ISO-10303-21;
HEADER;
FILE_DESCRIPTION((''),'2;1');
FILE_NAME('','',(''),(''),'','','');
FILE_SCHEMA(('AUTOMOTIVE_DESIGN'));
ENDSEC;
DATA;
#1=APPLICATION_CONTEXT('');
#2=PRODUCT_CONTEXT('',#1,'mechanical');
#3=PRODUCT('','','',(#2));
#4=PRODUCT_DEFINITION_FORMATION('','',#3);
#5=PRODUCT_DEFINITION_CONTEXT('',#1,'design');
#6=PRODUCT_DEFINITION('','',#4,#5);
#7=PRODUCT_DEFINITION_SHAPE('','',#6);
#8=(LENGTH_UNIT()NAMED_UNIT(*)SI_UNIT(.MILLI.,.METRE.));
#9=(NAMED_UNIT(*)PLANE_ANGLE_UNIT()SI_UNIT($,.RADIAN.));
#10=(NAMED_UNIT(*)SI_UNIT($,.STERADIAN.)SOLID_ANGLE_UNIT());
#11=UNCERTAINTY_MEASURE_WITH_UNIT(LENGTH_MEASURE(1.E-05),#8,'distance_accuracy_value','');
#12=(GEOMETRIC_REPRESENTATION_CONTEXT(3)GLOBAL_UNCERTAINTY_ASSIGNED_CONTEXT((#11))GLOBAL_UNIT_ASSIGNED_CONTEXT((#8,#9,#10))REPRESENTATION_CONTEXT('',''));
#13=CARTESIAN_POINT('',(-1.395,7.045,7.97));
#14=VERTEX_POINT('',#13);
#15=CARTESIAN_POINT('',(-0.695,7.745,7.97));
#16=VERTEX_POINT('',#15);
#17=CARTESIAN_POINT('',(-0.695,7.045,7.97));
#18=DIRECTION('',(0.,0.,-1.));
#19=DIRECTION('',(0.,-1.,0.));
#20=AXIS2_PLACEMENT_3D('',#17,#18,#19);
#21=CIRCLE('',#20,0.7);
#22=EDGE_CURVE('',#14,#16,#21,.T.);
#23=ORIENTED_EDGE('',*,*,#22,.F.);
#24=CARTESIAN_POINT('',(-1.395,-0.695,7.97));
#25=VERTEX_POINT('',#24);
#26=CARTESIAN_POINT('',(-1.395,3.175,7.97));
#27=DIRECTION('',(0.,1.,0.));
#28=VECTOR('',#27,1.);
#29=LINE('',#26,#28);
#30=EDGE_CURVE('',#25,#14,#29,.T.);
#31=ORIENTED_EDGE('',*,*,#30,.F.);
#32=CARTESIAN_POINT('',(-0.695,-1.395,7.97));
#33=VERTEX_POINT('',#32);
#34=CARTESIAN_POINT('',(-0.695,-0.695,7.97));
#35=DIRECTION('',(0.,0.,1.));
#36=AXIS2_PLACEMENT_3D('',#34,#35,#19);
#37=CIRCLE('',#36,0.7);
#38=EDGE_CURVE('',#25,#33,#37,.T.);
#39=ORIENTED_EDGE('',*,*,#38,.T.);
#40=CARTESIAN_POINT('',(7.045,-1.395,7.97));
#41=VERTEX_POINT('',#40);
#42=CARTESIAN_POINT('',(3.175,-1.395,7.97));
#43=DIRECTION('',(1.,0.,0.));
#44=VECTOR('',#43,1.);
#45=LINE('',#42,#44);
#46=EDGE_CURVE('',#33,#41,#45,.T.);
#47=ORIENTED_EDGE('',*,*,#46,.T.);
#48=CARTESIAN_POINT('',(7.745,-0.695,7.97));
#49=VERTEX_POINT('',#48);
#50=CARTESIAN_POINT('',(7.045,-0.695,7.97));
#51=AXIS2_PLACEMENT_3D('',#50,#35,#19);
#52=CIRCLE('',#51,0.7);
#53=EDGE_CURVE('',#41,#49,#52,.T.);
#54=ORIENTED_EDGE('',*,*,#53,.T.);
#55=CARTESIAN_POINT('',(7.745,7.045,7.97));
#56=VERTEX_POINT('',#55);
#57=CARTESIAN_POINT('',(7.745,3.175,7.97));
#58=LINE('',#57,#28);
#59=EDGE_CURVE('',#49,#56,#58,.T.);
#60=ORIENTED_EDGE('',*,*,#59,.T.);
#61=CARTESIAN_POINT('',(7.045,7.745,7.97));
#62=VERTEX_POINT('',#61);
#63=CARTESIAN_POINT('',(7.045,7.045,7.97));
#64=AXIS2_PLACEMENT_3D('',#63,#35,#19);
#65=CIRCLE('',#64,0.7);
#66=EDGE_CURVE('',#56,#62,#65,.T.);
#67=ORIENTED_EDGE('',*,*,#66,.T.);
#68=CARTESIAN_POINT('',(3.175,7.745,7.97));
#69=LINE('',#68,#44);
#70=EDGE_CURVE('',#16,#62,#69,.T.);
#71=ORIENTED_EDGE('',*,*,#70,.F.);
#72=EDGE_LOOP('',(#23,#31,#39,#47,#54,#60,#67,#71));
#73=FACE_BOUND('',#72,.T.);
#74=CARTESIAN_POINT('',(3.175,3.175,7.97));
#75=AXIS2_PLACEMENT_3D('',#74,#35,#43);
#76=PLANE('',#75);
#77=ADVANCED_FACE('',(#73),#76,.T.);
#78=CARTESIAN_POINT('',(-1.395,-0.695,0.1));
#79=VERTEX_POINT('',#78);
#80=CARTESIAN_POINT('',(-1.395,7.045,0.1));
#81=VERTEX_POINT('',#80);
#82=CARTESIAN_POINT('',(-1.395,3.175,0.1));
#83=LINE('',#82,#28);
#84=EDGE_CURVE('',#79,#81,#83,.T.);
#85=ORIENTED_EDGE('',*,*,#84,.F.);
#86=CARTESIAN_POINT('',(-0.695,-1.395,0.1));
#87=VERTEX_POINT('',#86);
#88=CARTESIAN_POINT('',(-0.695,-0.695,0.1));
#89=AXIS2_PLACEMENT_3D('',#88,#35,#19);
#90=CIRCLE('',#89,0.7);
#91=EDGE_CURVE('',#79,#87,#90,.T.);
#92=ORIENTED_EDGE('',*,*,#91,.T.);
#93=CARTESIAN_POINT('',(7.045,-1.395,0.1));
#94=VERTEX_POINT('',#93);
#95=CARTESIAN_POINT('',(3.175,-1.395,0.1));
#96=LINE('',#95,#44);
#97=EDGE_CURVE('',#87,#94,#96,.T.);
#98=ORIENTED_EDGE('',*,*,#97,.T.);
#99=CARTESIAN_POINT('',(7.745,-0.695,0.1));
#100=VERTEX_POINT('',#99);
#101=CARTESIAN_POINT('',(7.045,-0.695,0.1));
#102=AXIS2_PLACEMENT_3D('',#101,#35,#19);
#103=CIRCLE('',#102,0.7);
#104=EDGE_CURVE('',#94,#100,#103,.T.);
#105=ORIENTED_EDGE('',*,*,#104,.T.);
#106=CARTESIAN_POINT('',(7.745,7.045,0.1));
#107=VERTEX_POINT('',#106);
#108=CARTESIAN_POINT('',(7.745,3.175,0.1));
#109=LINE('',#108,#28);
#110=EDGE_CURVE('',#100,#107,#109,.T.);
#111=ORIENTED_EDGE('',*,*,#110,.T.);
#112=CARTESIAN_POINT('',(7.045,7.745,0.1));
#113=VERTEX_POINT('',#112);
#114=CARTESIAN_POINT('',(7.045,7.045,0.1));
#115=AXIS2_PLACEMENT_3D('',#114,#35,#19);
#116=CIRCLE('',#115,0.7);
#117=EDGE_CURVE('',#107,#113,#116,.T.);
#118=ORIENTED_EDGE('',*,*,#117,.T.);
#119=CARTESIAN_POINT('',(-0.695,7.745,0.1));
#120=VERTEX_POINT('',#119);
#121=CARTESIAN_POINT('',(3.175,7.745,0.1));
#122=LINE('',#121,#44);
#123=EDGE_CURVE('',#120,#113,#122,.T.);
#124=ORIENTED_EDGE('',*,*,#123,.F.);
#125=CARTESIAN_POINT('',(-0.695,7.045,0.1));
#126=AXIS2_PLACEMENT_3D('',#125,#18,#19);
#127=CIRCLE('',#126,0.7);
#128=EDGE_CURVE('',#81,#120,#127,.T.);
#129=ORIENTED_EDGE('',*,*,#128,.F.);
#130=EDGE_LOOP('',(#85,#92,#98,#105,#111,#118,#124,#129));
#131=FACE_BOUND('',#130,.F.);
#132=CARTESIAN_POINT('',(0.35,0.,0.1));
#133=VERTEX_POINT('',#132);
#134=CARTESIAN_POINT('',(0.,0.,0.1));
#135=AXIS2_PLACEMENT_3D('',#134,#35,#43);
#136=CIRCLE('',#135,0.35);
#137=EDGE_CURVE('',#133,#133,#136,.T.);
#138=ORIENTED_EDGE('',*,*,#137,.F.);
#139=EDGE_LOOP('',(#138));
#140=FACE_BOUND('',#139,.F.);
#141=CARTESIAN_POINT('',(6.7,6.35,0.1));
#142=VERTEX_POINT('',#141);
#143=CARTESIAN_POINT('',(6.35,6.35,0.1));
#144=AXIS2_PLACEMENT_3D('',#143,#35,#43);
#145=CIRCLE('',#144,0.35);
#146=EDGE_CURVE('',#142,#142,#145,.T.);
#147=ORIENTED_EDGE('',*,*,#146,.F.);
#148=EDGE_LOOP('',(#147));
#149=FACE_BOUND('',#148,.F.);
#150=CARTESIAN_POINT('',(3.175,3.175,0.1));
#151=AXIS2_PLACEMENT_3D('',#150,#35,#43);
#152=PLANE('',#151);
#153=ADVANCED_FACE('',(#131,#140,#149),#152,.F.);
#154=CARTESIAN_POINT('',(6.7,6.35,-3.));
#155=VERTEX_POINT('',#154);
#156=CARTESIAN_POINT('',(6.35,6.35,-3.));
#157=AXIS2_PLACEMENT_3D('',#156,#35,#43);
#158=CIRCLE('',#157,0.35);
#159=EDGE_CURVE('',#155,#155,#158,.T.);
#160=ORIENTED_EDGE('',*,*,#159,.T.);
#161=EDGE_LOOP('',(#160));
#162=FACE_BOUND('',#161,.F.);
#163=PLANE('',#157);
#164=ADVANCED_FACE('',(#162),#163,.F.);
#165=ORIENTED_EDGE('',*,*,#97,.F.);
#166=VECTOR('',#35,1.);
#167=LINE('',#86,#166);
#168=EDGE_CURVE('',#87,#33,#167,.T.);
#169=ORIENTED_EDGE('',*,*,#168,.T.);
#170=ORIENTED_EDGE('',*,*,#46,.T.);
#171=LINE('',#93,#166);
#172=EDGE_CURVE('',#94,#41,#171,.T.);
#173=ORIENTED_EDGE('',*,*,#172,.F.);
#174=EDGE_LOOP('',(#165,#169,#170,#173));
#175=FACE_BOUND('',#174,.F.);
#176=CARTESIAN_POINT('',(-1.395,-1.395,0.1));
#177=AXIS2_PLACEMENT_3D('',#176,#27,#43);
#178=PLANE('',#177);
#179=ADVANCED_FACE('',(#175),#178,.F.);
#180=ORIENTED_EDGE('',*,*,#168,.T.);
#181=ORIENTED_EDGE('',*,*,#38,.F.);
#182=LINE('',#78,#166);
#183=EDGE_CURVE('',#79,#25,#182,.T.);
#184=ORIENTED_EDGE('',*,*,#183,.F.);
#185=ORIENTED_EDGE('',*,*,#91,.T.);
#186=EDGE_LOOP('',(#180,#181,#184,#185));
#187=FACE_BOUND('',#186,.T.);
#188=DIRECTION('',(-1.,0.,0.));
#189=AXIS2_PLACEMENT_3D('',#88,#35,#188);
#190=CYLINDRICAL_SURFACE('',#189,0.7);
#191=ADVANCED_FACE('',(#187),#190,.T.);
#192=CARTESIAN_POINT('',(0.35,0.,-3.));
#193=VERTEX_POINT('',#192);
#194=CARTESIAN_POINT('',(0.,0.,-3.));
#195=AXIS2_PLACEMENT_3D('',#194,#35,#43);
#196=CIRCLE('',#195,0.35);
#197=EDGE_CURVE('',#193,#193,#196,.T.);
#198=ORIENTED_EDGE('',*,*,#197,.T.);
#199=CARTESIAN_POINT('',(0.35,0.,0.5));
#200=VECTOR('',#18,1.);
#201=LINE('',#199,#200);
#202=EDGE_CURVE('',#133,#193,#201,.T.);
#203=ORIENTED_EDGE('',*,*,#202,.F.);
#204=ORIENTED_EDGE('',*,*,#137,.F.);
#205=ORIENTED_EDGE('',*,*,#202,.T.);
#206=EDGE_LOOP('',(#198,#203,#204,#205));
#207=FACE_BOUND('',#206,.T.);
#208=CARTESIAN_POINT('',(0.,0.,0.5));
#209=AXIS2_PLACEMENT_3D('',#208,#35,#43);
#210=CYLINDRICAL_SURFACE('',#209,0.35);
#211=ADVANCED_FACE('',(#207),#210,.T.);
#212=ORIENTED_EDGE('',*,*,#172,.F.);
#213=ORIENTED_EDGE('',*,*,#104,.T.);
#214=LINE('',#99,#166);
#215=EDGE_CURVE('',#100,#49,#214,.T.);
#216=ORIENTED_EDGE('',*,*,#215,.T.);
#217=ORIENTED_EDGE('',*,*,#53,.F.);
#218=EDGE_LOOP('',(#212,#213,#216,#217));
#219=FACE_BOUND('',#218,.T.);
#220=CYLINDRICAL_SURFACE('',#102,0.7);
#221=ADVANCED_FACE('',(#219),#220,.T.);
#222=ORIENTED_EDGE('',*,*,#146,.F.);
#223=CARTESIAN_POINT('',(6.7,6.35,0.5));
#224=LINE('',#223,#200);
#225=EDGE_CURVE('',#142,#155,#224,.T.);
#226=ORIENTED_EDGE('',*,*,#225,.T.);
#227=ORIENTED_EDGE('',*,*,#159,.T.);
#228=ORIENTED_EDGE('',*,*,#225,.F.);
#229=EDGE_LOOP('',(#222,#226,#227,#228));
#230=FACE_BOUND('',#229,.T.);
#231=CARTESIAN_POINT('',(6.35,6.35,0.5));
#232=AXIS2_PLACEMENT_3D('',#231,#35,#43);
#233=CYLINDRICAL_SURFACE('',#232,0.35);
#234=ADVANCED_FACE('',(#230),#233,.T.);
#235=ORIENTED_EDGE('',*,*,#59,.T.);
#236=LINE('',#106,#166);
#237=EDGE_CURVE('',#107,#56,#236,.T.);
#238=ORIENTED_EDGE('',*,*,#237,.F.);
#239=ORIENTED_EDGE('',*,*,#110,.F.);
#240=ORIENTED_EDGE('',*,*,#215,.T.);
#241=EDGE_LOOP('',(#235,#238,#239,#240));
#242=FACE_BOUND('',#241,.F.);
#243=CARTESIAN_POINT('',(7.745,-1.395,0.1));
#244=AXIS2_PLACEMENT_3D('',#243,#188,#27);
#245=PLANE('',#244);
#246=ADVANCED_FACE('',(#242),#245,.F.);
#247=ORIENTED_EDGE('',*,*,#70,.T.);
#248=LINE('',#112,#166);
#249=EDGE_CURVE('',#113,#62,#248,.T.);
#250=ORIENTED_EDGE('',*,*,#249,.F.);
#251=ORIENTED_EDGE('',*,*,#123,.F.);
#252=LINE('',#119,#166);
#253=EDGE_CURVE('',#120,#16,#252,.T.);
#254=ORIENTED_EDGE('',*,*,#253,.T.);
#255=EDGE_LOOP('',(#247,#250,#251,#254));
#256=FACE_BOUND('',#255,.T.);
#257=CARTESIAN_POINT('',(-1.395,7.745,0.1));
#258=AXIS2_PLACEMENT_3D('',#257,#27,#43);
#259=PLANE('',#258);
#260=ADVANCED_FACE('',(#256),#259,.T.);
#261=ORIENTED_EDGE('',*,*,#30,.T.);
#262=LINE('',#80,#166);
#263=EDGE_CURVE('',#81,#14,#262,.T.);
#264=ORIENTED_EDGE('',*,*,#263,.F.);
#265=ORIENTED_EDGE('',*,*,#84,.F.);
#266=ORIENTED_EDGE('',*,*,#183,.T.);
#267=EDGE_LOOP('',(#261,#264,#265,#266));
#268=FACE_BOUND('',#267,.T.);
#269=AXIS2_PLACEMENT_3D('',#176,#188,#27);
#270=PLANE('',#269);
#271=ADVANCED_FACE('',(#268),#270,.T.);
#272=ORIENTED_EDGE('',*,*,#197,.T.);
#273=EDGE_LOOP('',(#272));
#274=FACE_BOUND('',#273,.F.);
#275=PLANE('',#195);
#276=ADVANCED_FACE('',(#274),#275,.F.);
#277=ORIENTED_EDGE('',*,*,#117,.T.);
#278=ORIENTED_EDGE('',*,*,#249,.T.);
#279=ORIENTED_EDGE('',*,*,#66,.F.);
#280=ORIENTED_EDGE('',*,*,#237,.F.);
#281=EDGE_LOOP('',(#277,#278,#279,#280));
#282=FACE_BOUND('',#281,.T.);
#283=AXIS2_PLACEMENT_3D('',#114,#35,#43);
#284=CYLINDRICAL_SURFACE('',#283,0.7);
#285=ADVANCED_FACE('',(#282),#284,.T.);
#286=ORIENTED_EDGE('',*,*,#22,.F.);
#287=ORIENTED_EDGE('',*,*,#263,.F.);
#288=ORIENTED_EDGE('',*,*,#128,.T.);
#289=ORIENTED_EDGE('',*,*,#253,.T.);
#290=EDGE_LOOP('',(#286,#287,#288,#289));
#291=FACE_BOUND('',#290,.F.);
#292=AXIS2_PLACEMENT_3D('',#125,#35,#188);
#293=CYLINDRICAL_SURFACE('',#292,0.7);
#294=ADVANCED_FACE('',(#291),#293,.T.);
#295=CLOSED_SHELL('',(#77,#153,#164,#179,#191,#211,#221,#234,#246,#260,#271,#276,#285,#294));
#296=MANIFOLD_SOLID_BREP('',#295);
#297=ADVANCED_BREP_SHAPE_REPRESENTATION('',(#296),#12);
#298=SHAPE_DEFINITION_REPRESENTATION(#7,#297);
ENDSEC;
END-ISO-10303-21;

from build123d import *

# Parameters (mm, degrees)
SKETCH_W     = 9.14
SKETCH_H     = 9.14
PAD_DEPTH    = 7.87
FILLET_R     = 0.7
SKETCH001_R  = 0.35
PAD001_DEPTH = 3.5


with BuildPart() as fillet_body:
    # Sketch → Pad (new body)
    with BuildSketch(Plane.XY.offset(0.1)):
        with Locations((3.175, 3.175)):
            Rectangle(SKETCH_W, SKETCH_H)
    extrude(amount=PAD_DEPTH)

    # Fillet
    fillet_edges = [fillet_body.edges().sort_by_distance(p)[0] for p in [
        (7.745, -1.395, 4.035),
        (7.745, 7.745, 4.035),
        (-1.395, -1.395, 4.035),
        (-1.395, 7.745, 4.035),
    ]]
    fillet(fillet_edges, radius=FILLET_R)


with BuildPart() as pad001_mp_cp:
    # Sketch001 → Pad001 (new body)
    with BuildSketch(Plane.XY.offset(0.5)):
        Circle(SKETCH001_R)
        with Locations((6.35, 6.35)):
            Circle(SKETCH001_R)
    extrude(amount=-PAD001_DEPTH)

    # Pad001_mp_cp: union Fillet body
    add(fillet_body.part)


solid = pad001_mp_cp.part
